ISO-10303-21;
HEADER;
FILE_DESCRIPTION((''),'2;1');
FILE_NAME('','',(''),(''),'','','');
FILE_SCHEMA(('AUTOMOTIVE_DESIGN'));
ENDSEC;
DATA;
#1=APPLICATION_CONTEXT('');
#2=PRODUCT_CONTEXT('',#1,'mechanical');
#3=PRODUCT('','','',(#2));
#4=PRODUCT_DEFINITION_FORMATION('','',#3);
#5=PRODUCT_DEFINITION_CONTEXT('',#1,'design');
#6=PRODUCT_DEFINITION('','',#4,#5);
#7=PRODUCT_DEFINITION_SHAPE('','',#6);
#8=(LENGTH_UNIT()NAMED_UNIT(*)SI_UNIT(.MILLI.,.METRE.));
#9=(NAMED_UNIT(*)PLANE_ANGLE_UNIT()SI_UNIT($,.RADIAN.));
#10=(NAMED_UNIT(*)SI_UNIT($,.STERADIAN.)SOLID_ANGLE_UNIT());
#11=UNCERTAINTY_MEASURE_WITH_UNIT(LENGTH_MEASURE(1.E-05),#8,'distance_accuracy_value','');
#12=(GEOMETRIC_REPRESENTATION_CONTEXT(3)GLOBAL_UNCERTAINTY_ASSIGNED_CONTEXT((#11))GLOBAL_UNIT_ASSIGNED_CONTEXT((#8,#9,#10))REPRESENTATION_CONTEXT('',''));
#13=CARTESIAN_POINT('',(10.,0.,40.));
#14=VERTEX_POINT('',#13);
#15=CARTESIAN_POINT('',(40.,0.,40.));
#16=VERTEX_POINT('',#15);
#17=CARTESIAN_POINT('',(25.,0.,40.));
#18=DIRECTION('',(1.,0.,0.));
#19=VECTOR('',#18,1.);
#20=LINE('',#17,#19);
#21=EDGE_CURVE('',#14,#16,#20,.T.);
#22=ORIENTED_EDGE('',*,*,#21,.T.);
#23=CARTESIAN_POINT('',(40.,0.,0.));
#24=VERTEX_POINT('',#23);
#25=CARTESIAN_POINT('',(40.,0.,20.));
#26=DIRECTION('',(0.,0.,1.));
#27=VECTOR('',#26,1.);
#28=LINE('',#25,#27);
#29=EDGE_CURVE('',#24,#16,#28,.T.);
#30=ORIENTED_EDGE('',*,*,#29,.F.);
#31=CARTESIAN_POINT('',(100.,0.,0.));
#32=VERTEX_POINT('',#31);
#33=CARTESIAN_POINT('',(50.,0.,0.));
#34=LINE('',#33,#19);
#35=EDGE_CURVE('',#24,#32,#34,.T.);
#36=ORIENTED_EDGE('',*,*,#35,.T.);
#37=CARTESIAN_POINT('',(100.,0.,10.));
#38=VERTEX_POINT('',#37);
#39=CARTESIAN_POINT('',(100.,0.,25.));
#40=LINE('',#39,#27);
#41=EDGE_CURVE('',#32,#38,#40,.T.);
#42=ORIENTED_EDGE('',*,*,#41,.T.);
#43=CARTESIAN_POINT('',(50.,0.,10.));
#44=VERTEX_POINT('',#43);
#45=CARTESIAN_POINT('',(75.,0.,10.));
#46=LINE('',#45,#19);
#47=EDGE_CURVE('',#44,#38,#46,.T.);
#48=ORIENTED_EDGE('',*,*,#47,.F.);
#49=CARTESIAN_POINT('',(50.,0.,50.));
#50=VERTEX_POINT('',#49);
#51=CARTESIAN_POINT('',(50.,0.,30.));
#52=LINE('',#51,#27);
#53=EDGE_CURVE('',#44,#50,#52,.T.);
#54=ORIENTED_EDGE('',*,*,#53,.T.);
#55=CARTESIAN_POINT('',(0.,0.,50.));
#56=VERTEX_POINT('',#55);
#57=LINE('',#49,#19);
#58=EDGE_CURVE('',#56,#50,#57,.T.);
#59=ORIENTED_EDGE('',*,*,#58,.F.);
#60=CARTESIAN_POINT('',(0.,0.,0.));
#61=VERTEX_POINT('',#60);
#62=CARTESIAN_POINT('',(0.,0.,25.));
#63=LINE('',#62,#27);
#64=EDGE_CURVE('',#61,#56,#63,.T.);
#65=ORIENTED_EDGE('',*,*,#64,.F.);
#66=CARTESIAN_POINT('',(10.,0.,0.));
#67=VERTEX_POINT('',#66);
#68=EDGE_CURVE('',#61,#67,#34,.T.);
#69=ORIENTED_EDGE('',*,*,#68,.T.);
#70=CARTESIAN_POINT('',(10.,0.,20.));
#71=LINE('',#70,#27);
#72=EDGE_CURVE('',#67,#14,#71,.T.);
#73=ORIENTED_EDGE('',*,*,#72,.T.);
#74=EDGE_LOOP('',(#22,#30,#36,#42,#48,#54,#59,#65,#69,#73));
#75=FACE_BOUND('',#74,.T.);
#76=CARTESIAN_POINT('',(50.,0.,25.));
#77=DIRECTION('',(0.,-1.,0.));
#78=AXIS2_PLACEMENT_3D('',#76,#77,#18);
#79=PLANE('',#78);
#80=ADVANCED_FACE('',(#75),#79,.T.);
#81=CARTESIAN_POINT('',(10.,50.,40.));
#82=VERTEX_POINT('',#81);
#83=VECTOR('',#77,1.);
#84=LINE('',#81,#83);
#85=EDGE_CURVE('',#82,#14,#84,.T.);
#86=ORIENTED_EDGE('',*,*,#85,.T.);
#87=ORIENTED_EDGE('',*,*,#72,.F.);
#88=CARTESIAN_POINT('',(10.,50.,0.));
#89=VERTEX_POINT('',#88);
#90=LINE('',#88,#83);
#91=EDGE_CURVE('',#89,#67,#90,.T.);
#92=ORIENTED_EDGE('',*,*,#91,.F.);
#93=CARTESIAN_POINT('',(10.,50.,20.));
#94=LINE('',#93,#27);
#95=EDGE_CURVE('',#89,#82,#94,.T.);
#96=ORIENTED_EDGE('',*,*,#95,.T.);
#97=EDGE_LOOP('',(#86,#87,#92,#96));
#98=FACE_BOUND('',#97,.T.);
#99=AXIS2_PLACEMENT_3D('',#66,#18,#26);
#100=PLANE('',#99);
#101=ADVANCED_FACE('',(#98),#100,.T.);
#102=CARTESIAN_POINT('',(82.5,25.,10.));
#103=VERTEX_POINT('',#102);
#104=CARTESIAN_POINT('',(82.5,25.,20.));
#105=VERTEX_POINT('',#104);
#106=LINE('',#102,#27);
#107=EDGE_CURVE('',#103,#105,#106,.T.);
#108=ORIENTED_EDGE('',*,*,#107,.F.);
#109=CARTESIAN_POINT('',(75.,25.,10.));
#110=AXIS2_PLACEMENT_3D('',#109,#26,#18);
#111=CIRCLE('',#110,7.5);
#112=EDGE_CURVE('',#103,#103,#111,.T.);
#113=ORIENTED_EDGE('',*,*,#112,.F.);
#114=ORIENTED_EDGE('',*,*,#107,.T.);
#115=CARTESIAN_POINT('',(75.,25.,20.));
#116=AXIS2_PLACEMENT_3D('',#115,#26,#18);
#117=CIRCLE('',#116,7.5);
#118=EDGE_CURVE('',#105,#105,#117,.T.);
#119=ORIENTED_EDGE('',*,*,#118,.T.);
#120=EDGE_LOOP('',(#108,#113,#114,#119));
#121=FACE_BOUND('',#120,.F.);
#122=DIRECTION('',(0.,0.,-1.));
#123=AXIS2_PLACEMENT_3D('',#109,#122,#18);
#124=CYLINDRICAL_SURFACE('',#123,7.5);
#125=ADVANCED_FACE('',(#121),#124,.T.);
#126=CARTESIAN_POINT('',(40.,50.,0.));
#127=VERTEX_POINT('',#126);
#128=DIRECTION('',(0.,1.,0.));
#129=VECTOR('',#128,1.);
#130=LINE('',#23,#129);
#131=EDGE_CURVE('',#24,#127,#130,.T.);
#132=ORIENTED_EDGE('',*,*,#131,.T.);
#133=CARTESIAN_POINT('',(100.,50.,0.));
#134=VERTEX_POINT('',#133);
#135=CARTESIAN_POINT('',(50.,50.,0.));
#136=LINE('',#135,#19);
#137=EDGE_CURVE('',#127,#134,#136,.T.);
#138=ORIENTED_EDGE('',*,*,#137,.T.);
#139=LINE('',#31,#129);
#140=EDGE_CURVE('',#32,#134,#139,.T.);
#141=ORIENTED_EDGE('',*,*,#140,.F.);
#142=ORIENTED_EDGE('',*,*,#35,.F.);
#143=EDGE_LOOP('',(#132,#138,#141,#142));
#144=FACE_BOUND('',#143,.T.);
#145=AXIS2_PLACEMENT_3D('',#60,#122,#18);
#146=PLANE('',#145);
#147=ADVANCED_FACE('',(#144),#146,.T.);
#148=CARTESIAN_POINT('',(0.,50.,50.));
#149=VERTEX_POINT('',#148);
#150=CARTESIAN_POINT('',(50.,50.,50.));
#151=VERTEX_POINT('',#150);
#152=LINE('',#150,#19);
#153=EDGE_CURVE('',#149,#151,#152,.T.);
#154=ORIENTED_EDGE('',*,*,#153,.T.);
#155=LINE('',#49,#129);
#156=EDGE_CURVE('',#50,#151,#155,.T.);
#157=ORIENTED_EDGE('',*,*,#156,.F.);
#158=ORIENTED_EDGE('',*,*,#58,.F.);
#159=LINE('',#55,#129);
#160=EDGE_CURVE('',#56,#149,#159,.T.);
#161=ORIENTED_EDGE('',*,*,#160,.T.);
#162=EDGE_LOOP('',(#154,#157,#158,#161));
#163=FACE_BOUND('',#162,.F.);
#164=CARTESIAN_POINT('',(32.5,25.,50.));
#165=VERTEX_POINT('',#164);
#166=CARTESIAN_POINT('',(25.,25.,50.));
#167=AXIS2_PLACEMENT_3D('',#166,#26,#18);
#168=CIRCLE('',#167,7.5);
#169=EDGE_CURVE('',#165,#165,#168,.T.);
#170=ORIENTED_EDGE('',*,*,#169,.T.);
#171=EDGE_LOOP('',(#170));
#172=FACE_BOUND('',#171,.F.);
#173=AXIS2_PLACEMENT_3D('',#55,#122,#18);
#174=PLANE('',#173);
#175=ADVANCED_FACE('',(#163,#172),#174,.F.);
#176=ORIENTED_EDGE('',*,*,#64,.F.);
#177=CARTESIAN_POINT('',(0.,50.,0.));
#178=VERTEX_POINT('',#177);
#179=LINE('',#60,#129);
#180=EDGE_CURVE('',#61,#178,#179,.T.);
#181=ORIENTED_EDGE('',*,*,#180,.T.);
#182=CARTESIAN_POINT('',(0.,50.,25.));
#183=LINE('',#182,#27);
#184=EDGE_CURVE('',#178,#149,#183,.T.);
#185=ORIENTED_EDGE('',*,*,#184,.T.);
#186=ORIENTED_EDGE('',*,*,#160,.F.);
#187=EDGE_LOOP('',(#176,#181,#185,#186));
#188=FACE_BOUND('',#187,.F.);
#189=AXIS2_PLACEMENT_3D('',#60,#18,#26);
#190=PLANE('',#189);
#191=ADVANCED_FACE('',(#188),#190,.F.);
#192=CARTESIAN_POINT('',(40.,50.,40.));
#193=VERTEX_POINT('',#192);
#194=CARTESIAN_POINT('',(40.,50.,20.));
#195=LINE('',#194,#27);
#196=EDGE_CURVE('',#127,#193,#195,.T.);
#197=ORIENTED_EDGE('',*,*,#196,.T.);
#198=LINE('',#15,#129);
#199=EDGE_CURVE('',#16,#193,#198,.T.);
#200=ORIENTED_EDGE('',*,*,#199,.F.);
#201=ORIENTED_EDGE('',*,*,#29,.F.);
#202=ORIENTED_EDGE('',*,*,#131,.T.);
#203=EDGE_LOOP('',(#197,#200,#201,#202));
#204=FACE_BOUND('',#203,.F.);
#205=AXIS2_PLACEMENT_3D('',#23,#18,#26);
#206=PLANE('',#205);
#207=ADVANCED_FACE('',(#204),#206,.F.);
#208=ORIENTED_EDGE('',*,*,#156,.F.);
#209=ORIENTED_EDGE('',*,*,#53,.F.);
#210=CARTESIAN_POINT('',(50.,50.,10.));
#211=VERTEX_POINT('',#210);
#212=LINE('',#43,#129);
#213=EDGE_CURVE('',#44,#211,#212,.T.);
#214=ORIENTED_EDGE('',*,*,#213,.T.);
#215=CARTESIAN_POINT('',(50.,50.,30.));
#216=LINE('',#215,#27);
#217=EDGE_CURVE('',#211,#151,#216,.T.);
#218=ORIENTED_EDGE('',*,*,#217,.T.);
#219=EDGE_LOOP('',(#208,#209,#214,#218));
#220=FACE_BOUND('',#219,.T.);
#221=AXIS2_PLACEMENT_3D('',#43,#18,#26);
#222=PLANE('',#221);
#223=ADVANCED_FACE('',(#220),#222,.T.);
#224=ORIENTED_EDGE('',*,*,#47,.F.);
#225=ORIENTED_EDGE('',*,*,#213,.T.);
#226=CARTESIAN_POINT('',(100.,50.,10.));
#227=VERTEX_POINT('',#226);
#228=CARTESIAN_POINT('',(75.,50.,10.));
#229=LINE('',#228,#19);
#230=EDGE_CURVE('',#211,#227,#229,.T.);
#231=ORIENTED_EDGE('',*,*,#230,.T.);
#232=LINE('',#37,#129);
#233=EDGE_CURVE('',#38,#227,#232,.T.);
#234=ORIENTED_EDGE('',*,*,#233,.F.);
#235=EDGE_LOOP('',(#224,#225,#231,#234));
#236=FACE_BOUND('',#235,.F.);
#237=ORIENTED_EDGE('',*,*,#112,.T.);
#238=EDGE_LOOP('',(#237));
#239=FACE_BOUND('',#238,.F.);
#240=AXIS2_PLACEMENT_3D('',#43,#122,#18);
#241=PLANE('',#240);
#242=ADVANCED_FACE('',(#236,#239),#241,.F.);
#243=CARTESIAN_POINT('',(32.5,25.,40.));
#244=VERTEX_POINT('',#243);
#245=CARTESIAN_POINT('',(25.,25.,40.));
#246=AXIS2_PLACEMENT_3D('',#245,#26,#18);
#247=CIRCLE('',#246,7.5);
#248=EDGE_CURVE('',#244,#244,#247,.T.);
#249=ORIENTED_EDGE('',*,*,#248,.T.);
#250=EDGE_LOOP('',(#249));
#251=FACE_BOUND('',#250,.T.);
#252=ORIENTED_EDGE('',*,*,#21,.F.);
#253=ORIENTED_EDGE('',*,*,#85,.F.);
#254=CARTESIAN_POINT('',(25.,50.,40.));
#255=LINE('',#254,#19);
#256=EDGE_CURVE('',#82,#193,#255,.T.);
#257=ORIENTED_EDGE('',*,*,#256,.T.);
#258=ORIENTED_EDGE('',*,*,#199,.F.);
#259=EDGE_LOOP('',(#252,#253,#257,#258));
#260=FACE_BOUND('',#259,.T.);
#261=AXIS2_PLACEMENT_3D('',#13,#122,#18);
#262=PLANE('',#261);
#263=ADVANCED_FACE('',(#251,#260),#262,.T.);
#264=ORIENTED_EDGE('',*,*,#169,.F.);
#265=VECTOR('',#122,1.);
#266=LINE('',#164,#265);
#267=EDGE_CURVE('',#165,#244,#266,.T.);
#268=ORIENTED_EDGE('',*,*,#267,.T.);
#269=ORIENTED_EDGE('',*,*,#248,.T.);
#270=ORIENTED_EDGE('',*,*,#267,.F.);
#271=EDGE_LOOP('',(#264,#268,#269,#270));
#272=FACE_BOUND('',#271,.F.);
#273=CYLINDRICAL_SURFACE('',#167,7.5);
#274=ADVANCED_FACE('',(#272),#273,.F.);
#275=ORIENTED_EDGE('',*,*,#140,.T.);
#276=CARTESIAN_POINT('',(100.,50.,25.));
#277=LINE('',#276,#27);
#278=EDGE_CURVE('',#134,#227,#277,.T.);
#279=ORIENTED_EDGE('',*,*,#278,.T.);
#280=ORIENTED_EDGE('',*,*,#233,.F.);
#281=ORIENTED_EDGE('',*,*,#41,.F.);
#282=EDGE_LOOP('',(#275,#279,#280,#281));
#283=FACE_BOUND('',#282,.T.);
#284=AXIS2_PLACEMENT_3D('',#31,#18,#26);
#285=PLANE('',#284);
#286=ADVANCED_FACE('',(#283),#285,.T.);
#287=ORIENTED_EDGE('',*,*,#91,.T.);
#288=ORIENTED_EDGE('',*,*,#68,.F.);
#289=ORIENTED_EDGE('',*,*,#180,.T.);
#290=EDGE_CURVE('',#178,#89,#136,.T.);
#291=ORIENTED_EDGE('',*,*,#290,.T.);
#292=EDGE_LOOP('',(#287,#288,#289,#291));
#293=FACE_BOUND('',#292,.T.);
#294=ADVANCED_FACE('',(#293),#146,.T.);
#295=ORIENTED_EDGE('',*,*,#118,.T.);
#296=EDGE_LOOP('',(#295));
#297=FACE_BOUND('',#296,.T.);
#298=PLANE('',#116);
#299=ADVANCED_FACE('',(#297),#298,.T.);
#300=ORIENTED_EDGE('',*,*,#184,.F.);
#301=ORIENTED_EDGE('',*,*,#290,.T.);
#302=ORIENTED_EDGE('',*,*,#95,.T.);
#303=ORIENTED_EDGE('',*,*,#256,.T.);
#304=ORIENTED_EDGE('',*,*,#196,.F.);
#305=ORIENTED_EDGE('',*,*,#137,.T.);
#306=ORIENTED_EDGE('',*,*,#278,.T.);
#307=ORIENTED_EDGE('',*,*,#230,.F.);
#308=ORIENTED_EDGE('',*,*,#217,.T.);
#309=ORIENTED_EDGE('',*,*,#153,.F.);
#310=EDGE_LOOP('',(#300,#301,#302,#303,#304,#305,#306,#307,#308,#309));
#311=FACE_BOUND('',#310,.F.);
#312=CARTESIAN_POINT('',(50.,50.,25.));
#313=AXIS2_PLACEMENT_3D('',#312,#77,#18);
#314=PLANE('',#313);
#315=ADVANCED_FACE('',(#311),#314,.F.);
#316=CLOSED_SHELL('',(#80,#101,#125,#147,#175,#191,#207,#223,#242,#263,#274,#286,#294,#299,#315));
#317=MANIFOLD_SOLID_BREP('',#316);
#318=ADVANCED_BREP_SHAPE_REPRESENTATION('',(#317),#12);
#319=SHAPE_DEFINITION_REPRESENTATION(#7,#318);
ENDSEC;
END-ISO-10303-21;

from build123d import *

# Parameters (mm, degrees)
F0_W          = 100
F0_H          = 50
F1_DEPTH      = 50
F2_W          = 30
F2_H          = 40
F3_DEPTH      = 50
F3_DEPTH_BACK = 25
F4_W          = 50
F4_H          = 40
F5_DEPTH      = 50
F5_DEPTH_BACK = 25
F6_R          = 7.5
F7_DEPTH      = 10
F8_R          = 7.5
F9_DEPTH      = 10


with BuildPart() as f1:
    # F0 (on Front) → F1 (new body)
    with BuildSketch(Plane.XZ):
        with Locations((50, 25)):
            Rectangle(F0_W, F0_H)
    extrude(amount=-F1_DEPTH)

    # F2 (on face) → F3 (cut, two sides)
    with BuildSketch(Plane.XZ) as f3_sk:
        with Locations((25, 20)):
            Rectangle(F2_W, F2_H)
    extrude(amount=-F3_DEPTH, mode=Mode.SUBTRACT)
    extrude(f3_sk.sketch, amount=-F3_DEPTH_BACK, mode=Mode.SUBTRACT)

    # F4 (on face) → F5 (cut, two sides)
    with BuildSketch(Plane.XZ) as f5_sk:
        with Locations((75, 30)):
            Rectangle(F4_W, F4_H)
    extrude(amount=-F5_DEPTH, mode=Mode.SUBTRACT)
    extrude(f5_sk.sketch, amount=-F5_DEPTH_BACK, mode=Mode.SUBTRACT)

    # F6 (on face) → F7 (cut, through all)
    with BuildSketch(Plane.XY.offset(50)):
        with Locations((25, 25)):
            Circle(F6_R)
    extrude(amount=-F7_DEPTH, mode=Mode.SUBTRACT)

    # F8 (on face) → F9 (join)
    with BuildSketch(Plane.XY.offset(10)):
        with Locations((75, 25)):
            Circle(F8_R)
    extrude(amount=F9_DEPTH)


solid = f1.part
